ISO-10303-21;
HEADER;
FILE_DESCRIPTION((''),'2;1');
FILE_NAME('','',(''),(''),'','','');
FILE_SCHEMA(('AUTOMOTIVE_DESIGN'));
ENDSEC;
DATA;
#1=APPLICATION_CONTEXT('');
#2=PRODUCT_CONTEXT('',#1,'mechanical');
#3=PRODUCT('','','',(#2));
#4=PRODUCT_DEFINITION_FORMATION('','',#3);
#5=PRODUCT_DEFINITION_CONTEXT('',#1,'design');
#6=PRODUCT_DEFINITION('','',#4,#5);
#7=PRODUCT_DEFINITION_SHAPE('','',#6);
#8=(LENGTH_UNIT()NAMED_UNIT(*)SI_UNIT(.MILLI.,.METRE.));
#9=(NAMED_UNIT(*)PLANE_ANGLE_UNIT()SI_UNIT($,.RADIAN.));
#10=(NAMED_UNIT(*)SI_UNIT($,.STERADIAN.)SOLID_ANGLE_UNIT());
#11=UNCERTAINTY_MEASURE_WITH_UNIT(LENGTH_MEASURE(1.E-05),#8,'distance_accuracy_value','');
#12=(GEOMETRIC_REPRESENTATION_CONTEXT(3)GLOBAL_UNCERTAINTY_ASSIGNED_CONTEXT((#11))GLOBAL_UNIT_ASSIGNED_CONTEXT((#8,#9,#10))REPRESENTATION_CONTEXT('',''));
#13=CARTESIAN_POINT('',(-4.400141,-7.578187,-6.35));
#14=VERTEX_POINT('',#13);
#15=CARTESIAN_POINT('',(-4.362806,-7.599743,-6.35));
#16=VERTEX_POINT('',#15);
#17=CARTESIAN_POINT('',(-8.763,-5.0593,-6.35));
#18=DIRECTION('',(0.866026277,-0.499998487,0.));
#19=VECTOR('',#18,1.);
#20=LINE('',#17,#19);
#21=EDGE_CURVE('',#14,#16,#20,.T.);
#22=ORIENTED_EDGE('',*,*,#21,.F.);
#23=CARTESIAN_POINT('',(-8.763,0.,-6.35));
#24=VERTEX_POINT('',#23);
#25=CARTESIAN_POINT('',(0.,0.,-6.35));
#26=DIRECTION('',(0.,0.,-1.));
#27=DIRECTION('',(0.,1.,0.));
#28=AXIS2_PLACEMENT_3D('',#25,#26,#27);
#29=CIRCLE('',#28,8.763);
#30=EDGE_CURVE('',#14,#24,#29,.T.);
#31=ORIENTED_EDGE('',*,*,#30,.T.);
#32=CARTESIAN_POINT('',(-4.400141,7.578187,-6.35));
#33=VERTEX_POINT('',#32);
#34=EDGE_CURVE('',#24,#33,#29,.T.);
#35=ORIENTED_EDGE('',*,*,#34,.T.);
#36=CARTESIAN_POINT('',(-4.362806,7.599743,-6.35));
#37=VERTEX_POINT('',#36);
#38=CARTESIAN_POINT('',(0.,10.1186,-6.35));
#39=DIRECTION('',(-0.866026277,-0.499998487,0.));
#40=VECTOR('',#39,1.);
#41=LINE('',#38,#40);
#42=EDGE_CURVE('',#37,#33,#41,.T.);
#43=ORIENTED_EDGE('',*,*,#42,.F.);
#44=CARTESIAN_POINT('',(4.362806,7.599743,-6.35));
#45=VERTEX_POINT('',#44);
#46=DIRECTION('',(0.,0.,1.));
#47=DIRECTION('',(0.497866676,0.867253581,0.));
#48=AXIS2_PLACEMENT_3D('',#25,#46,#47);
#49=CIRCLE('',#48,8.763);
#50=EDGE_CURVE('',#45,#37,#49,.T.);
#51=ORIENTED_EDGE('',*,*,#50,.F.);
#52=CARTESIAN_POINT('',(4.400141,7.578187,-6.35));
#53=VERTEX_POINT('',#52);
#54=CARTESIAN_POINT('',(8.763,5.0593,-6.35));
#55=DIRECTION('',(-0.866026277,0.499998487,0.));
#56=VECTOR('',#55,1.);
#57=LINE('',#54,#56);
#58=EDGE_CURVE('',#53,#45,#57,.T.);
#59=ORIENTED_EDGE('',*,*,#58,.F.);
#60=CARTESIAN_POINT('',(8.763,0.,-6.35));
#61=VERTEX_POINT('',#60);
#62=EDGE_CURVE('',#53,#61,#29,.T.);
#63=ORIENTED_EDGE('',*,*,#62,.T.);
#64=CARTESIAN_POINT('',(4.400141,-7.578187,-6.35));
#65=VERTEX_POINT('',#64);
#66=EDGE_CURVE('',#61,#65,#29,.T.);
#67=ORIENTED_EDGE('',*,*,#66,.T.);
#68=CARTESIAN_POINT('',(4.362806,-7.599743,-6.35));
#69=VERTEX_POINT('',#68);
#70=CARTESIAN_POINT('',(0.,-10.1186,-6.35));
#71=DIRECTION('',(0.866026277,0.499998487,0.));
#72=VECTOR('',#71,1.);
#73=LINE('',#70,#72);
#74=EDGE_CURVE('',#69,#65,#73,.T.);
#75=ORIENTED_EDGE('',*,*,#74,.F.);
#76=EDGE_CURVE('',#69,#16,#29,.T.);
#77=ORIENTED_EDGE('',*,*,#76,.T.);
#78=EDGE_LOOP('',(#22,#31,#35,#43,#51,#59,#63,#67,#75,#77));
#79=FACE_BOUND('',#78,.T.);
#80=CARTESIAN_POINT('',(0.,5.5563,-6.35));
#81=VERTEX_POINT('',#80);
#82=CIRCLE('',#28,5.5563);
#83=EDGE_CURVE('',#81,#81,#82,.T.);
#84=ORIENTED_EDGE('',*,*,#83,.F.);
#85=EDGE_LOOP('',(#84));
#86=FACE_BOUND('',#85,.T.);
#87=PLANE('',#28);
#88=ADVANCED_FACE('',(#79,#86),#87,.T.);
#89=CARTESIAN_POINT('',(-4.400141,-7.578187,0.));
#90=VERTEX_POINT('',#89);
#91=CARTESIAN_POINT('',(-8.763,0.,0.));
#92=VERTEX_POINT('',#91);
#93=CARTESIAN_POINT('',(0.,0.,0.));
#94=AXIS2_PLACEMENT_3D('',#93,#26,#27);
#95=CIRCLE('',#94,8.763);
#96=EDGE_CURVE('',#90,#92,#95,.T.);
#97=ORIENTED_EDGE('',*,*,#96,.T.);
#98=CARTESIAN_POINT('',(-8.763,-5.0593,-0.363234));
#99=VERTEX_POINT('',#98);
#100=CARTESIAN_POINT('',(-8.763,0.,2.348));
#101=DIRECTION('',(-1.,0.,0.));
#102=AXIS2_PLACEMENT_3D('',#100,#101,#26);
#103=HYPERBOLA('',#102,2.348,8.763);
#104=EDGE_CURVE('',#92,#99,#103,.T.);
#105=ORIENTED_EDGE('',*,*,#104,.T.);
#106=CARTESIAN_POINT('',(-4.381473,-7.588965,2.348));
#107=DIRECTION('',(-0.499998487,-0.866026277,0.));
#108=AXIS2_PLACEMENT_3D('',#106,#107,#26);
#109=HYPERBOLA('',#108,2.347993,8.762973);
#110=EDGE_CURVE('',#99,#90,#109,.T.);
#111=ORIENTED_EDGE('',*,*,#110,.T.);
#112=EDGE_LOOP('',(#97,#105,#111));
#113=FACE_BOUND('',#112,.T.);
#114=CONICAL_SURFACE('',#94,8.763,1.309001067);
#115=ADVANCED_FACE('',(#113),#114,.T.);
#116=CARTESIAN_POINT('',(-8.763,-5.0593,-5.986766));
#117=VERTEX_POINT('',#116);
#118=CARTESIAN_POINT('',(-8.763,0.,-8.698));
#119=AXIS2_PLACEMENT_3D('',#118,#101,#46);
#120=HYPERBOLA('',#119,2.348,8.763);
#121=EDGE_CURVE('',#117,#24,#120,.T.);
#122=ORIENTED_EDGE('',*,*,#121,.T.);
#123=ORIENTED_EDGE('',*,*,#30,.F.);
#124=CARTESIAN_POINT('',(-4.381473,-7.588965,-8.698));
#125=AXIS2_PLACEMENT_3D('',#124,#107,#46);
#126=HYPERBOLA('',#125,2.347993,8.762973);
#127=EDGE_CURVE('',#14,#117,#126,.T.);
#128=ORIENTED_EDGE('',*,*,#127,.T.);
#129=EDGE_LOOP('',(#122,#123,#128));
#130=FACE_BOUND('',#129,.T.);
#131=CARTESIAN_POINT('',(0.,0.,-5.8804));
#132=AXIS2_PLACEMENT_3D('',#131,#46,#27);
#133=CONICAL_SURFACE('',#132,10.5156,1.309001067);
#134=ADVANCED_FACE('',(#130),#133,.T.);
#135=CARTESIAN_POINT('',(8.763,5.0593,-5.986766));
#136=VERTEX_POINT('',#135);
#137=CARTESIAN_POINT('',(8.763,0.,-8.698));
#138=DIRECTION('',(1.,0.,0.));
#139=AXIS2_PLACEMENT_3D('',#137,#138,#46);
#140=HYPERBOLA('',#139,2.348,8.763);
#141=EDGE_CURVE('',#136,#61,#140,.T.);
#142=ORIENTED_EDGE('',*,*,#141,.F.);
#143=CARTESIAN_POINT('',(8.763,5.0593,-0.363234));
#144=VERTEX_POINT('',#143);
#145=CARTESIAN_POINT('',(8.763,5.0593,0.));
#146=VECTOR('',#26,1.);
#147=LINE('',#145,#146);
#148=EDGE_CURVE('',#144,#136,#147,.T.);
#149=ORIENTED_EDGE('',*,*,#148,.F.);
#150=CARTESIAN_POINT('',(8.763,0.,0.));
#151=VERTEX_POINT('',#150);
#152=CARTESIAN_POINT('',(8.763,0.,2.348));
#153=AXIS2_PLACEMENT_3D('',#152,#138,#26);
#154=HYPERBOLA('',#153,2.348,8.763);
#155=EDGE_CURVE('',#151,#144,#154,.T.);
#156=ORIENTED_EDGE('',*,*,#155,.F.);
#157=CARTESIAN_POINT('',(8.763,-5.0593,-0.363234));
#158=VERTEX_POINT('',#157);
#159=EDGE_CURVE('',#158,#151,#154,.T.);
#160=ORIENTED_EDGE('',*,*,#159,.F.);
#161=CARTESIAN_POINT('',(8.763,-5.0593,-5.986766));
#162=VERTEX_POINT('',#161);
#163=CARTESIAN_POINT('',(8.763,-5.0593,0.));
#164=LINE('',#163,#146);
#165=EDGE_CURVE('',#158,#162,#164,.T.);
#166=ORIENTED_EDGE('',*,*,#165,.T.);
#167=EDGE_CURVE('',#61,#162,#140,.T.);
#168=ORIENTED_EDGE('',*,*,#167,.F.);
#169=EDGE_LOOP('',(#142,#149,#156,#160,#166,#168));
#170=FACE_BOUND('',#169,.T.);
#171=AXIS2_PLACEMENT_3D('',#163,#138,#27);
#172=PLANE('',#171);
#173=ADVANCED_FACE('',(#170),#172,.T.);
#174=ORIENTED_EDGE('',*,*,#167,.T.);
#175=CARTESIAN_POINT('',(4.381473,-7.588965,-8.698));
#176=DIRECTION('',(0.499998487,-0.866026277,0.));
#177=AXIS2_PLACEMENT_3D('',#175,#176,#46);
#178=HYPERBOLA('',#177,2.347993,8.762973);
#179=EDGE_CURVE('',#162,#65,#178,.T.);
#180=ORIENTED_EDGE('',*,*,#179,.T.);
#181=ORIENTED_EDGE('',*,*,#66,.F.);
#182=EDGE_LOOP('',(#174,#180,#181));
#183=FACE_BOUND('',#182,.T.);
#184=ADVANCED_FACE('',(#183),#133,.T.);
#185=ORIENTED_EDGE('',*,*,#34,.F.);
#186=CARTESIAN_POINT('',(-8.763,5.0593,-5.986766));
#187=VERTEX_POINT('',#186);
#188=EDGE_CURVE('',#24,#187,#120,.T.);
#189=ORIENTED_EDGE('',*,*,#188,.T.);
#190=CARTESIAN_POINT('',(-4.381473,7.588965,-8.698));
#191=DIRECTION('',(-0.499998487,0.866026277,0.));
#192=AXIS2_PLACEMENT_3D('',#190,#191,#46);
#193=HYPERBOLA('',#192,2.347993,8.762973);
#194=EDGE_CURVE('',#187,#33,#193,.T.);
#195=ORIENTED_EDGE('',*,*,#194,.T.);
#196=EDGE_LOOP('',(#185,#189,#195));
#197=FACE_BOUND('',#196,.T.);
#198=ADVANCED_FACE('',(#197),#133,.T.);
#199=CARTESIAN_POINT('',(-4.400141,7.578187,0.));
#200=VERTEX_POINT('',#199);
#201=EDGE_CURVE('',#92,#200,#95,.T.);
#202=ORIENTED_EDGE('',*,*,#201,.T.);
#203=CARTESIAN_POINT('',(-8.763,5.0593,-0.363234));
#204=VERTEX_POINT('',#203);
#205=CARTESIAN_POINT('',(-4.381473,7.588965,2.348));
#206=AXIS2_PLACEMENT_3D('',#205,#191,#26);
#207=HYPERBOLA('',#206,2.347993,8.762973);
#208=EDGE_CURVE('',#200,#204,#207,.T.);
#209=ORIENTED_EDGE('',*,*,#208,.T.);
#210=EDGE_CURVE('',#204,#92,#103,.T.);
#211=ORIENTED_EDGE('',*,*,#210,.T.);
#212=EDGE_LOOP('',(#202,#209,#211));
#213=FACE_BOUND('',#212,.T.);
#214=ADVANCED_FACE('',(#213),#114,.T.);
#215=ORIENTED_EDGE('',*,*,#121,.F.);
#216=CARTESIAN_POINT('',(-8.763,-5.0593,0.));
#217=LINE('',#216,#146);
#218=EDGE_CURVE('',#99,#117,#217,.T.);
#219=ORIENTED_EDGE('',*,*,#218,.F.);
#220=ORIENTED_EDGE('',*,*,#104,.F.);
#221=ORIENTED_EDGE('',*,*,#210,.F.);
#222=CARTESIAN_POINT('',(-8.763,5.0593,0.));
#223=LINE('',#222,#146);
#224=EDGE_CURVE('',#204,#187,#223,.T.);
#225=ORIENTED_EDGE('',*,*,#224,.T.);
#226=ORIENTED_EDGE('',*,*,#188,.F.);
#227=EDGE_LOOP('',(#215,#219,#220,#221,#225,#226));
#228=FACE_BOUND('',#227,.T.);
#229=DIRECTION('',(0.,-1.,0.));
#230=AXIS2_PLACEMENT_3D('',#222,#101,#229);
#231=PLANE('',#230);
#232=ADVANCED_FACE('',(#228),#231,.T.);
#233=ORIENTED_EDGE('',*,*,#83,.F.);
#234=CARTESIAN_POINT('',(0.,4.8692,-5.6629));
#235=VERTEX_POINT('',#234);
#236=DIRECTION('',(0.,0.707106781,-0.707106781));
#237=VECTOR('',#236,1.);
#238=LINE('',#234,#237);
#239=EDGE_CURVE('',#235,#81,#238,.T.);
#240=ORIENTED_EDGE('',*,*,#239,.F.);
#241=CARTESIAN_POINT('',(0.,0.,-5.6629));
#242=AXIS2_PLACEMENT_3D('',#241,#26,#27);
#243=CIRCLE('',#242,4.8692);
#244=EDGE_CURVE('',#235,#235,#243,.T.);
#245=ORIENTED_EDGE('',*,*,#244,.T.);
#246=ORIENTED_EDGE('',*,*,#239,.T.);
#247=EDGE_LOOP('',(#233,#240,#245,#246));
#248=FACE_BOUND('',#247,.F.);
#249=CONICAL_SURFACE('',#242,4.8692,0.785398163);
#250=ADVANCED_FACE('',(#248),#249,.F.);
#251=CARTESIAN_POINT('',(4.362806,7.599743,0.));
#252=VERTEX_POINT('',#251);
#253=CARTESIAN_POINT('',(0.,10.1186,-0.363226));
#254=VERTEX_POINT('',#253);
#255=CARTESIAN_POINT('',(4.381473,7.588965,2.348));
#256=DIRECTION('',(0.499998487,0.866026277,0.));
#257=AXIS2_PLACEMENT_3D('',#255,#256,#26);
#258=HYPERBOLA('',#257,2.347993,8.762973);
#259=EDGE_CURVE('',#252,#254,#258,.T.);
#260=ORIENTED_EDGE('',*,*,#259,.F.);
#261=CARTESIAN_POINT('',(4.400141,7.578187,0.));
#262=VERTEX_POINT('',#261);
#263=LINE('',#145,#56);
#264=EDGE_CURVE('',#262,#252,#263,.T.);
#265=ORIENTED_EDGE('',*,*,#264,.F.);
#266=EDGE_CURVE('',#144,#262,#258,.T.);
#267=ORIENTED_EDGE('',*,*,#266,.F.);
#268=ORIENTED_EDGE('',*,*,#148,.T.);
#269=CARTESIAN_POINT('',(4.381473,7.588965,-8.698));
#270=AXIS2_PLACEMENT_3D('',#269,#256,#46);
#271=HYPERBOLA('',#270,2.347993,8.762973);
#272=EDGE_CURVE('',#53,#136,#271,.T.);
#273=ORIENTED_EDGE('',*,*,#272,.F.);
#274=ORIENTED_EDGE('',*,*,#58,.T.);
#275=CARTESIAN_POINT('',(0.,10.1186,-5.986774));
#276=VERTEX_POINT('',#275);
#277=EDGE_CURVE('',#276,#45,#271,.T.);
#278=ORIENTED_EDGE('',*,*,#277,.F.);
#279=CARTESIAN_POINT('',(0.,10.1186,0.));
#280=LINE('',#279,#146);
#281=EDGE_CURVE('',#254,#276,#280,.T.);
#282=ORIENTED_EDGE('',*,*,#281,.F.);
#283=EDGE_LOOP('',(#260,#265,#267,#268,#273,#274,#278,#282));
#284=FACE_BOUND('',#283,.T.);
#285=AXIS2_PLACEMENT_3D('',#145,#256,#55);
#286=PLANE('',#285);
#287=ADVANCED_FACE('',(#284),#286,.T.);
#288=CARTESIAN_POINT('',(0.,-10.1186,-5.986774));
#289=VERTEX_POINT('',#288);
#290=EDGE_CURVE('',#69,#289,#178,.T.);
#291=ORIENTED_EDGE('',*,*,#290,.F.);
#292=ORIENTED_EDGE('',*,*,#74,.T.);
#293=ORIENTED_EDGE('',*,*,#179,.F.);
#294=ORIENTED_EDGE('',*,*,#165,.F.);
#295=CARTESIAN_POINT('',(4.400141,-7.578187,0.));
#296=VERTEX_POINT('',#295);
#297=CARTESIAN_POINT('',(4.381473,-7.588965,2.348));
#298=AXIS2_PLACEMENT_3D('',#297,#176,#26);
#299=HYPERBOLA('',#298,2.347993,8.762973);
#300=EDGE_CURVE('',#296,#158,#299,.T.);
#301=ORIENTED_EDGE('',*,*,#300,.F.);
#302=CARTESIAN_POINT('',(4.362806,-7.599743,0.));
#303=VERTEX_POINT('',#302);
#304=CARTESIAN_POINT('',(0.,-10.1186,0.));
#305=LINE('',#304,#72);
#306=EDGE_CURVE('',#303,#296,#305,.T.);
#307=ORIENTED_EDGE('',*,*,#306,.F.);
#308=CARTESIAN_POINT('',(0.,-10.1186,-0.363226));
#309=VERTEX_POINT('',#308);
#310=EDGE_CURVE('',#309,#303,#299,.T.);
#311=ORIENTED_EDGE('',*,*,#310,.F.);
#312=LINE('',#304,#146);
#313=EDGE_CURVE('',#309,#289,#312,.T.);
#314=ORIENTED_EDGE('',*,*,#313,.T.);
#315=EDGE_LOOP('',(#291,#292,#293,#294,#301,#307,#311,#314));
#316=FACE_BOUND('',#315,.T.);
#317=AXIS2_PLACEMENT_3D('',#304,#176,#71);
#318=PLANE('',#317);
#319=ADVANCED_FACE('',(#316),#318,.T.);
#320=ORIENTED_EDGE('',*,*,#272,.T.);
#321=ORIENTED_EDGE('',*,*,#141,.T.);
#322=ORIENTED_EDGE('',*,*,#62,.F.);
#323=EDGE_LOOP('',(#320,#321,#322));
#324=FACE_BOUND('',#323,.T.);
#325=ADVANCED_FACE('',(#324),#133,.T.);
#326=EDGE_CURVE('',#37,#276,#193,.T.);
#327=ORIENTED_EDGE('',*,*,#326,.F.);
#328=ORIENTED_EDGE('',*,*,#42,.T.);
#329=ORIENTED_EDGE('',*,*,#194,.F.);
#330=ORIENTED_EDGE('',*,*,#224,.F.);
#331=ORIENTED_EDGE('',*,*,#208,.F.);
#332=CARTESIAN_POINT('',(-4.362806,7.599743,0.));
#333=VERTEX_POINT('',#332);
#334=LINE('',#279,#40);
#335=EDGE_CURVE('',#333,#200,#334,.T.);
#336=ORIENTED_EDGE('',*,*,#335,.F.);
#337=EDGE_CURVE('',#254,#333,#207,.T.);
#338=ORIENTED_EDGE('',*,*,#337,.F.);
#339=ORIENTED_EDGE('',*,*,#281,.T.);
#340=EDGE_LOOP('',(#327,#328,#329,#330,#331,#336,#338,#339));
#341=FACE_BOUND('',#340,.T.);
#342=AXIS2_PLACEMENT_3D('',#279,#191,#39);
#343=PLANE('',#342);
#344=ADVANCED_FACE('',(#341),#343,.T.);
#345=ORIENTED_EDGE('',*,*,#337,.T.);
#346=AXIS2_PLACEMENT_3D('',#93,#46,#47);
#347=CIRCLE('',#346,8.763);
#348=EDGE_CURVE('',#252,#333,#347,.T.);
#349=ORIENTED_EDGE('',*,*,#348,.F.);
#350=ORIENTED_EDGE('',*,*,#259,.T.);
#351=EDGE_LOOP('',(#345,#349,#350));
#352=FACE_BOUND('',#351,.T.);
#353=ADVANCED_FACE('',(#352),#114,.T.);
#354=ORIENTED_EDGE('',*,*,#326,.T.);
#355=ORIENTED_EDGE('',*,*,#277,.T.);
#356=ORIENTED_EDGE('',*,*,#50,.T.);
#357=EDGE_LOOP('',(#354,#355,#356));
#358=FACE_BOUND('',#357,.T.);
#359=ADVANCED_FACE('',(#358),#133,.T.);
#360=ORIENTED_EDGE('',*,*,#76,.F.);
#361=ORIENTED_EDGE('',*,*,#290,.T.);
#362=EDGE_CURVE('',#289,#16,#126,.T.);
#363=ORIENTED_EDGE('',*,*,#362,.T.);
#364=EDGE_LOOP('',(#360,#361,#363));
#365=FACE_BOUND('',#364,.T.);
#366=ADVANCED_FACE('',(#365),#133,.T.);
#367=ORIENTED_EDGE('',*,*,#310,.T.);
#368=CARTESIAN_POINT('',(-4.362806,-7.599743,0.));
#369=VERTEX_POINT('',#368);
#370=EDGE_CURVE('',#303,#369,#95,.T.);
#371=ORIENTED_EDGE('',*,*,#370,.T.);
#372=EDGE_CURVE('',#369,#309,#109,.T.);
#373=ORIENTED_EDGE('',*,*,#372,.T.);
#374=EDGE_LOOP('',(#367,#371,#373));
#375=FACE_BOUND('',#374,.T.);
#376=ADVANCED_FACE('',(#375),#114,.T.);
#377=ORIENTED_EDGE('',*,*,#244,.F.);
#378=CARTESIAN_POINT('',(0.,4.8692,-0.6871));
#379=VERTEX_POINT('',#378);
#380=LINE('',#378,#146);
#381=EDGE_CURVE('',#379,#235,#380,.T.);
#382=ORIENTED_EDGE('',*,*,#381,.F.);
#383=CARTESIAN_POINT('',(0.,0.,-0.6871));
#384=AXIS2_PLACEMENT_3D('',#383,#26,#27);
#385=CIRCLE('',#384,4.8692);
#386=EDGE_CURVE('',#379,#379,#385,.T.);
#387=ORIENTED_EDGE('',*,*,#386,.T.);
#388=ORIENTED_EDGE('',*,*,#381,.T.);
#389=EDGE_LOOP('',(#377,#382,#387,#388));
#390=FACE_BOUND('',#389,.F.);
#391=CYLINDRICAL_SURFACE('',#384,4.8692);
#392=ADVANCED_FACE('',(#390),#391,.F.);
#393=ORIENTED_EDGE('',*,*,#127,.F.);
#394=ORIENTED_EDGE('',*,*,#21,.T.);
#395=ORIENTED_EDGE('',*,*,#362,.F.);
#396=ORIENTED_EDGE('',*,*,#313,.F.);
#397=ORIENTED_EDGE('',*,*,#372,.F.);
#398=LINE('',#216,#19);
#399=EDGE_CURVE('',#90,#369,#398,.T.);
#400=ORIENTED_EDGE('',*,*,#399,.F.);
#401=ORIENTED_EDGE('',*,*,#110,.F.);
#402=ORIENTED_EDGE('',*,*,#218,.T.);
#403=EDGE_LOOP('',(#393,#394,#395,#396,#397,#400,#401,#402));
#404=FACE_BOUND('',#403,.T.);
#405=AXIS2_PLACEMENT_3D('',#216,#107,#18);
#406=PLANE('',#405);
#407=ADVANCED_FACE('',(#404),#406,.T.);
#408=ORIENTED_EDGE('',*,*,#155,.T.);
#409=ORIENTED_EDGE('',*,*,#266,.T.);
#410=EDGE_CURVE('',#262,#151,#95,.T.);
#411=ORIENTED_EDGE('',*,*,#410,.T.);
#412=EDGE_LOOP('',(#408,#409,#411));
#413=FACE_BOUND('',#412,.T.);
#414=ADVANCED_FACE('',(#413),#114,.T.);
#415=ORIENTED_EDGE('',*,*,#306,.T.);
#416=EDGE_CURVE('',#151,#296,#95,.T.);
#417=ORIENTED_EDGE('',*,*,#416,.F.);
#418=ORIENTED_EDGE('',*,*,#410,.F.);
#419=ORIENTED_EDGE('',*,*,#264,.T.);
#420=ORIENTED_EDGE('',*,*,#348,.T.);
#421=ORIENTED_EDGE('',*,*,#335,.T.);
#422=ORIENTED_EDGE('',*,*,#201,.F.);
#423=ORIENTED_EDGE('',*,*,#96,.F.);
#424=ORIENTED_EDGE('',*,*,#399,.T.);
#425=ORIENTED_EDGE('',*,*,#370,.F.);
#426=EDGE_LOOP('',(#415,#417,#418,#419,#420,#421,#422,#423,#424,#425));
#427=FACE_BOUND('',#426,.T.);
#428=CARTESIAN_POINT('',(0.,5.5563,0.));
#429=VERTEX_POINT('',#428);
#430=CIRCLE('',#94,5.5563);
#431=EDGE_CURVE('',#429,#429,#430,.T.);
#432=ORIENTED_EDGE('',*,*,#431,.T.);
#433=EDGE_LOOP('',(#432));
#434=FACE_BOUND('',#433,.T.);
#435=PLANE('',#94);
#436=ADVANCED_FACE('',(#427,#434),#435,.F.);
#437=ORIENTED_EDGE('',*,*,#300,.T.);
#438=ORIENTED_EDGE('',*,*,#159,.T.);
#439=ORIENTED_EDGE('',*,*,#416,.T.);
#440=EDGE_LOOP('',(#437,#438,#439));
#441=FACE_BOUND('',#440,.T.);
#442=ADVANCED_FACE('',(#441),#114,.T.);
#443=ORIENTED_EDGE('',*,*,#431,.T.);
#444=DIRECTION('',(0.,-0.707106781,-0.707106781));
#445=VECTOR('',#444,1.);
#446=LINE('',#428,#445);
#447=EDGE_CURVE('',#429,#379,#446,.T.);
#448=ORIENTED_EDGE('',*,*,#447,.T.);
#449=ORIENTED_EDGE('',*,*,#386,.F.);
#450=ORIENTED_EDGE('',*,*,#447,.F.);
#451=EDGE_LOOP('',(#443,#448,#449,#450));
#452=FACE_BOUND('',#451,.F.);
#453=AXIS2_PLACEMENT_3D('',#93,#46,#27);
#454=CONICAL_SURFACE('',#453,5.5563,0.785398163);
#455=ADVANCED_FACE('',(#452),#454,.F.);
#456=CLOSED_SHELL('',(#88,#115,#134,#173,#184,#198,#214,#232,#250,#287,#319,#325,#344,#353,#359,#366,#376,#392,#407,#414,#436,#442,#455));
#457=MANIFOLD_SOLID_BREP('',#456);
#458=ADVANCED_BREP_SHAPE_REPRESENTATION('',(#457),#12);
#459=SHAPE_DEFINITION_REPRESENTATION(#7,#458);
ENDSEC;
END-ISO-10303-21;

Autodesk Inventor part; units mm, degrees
sketch "Sketch_8" plane through (0, 0, 0) normal (1, 0, 0) x (0, 1, 0)
  line L0 (0, -6.35) -> (0, 0)
  line L1 (0, 0) -> (8.763, 0)
  line L2 (8.763, 0) -> (10.5156, -0.4696)
  line L3 (10.5156, -0.4696) -> (10.5156, -5.8804)
  line L4 (10.5156, -5.8804) -> (8.763, -6.35)
  line L5 (8.763, -6.35) -> (0, -6.35)
  line L6 (0, -6.35) -> (0, 0)
sketch "Sketch_10" plane through (0, 0, 0) normal (0, 0, 1) x (1, 0, 0)
  line L0 (-17.526, 17.526) -> (-17.526, -17.526)
  line L1 (-17.526, -17.526) -> (17.526, -17.526)
  line L2 (17.526, -17.526) -> (17.526, 17.526)
  line L3 (17.526, 17.526) -> (-17.526, 17.526)
  line L4 (-8.763, 5.0593) -> (-8.763, -5.0593)
  line L5 (-8.763, -5.0593) -> (0, -10.1186)
  line L6 (0, -10.1186) -> (8.763, -5.0593)
  line L7 (8.763, -5.0593) -> (8.763, 5.0593)
  line L8 (8.763, 5.0593) -> (0, 10.1186)
  line L9 (0, 10.1186) -> (-8.763, 5.0593)
revolve "Revolution1" add sketch "Sketch_8" angle 360 about axis through (0, 0, -6.35) along (0, 0, -1)
extrude "Extrusion1" cut sketch "Sketch_10" against normal blind 6.35
sketch "Sketch_11" plane through (0, 0, 0) normal (1, 0, 0) x (0, 1, 0)
  line L0 (0, -6.35) -> (0, 0)
  line L1 (0, 0) -> (5.5563, 0)
  line L2 (5.5563, 0) -> (4.8692, -0.6871)
  line L3 (4.8692, -0.6871) -> (4.8692, -5.6629)
  line L4 (4.8692, -5.6629) -> (5.5563, -6.35)
  line L5 (5.5563, -6.35) -> (0, -6.35)
  line L6 (0, -6.35) -> (0, 0)
revolve "Revolution2" cut sketch "Sketch_11" angle 360 about axis through (0, 0, -6.35) along (0, 0, -1)
thread "Thread1" size "7/16-20 UNF" class "2B" standard "ANSI Unified Screw Threads" full length
ref_plane "NUT_XY" through (0, 0, 0) normal (0, 0, 1) x (1, 0, 0)
ref_plane "NUT_YZ" through (0, 0, 0) normal (1, 0, 0) x (0, 1, 0)
ref_plane "NUT_ZX" through (0, 0, 0) normal (0, 1, 0) x (0, 0, 1)
ref_plane "a1_XY" through (-8.763, 8.763, 0) normal (0, 0, 1) x (1, 0, 0)
ref_plane "a1_YZ" through (-8.763, 8.763, 0) normal (1, 0, 0) x (0, 1, 0)
ref_plane "a1_ZX" through (-8.763, 8.763, 0) normal (0, 1, 0) x (0, 0, 1)
ref_plane "a2_XY" through (8.763, 8.763, 0) normal (0, 0, 1) x (1, 0, 0)
ref_plane "a2_YZ" through (8.763, 8.763, 0) normal (1, 0, 0) x (0, 1, 0)
ref_plane "a2_ZX" through (8.763, 8.763, 0) normal (0, 1, 0) x (0, 0, 1)
ref_plane "b1_XY" through (0, 8.763, 0) normal (1, 0, 0) x (0, 0, -1)
ref_plane "b1_YZ" through (0, 8.763, 0) normal (0, 0, -1) x (0, 1, 0)
ref_plane "b1_ZX" through (0, 8.763, 0) normal (0, 1, 0) x (1, 0, 0)
ref_plane "b2_XY" through (0, 8.763, -6.35) normal (1, 0, 0) x (0, 0, -1)
ref_plane "b2_YZ" through (0, 8.763, -6.35) normal (0, 0, -1) x (0, 1, 0)
ref_plane "b2_ZX" through (0, 8.763, -6.35) normal (0, 1, 0) x (1, 0, 0)
ref_plane "e_XY" through (0, 0, -6.35) normal (1, 0, 0) x (0, 0, -1)
ref_plane "e_YZ" through (0, 0, -6.35) normal (0, 0, -1) x (0, 1, 0)
ref_plane "e_ZX" through (0, 0, -6.35) normal (0, 1, 0) x (1, 0, 0)
ref_plane "th1_XY" through (0, 5.5563, -6.35) normal (1, 0, 0) x (0, 0, -1)
ref_plane "th1_YZ" through (0, 5.5563, -6.35) normal (0, 0, -1) x (0, 1, 0)
ref_plane "th1_ZX" through (0, 5.5563, -6.35) normal (0, 1, 0) x (1, 0, 0)
ref_plane "th2_XY" through (0, -5.5563, -6.35) normal (1, 0, 0) x (0, 0, -1)
ref_plane "th2_YZ" through (0, -5.5563, -6.35) normal (0, 0, -1) x (0, 1, 0)
ref_plane "th2_ZX" through (0, -5.5563, -6.35) normal (0, 1, 0) x (1, 0, 0)
ref_plane "ol1_XY" through (0, 0, -8.763) normal (0, 1, 0) x (1, 0, 0)
ref_plane "ol1_YZ" through (0, 0, -8.763) normal (1, 0, 0) x (0, 0, -1)
ref_plane "ol1_ZX" through (0, 0, -8.763) normal (0, 0, -1) x (0, 1, 0)
ref_plane "ol2_XY" through (6.35, 0, -8.763) normal (0, 1, 0) x (1, 0, 0)
ref_plane "ol2_YZ" through (6.35, 0, -8.763) normal (1, 0, 0) x (0, 0, -1)
ref_plane "ol2_ZX" through (6.35, 0, -8.763) normal (0, 0, -1) x (0, 1, 0)
properties part number "D-154"
